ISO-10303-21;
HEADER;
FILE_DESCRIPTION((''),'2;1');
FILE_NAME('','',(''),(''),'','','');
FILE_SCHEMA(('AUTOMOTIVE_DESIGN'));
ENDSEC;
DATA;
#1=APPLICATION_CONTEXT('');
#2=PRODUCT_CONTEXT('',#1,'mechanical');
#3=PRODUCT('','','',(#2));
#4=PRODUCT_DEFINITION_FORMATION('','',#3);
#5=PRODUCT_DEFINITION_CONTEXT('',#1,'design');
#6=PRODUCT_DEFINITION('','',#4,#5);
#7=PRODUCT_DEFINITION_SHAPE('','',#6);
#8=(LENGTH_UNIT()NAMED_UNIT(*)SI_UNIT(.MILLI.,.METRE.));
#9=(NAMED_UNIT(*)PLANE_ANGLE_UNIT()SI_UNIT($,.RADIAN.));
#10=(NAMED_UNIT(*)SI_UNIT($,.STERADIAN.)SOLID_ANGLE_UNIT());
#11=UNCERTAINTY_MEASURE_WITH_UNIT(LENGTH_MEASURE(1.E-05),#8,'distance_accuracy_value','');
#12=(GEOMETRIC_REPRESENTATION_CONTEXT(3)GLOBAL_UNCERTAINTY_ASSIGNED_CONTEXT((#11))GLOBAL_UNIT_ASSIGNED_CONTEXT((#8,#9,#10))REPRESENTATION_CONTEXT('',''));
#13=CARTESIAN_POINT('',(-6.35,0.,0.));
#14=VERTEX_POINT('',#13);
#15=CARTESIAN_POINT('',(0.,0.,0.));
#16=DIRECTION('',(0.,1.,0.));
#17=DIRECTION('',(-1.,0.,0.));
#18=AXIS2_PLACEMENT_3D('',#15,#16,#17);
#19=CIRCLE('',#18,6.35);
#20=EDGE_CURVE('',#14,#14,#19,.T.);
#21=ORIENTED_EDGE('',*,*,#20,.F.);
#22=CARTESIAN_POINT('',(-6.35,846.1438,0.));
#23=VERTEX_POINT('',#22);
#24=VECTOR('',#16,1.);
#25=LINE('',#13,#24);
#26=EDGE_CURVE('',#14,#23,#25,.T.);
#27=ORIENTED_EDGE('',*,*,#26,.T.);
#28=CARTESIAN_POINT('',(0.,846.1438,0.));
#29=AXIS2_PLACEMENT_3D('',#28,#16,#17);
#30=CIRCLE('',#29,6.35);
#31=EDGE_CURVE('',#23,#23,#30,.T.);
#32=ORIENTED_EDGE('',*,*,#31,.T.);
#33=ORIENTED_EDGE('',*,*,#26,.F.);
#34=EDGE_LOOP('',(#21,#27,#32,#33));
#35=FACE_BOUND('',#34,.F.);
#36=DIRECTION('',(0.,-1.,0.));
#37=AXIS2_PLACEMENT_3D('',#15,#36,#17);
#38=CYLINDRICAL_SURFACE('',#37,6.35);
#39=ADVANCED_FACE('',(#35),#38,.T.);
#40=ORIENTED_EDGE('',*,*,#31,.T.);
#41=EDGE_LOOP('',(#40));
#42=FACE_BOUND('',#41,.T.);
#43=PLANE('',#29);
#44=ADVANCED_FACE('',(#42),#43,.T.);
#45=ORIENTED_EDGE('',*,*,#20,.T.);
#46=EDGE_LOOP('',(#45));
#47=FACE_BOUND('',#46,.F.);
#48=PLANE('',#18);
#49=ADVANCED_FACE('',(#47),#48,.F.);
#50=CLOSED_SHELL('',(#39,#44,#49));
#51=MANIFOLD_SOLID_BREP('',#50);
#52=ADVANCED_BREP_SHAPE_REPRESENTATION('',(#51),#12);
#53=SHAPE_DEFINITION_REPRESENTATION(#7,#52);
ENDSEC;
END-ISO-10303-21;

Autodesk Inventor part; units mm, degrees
ref_plane "YZ Plane" through (0, 0, 0) normal (1, 0, 0) x (0, 1, 0)
ref_plane "XZ Plane" through (0, 0, 0) normal (0, 1, 0) x (-1, 0, 0)
ref_plane "XY Plane" through (0, 0, 0) normal (0, 0, 1) x (1, 0, 0)
sketch "Sketch1" plane through (0, 0, 0) normal (0, 1, 0) x (-1, 0, 0)
  circle A0 centre (0, 0) radius 6.35
  dimension "d0" = 12.7
extrude "Extrusion1" add sketch "Sketch1" along normal blind 846.1438
properties part number "Rebar_With_Length_Of_38_Inches" material "Steel"
